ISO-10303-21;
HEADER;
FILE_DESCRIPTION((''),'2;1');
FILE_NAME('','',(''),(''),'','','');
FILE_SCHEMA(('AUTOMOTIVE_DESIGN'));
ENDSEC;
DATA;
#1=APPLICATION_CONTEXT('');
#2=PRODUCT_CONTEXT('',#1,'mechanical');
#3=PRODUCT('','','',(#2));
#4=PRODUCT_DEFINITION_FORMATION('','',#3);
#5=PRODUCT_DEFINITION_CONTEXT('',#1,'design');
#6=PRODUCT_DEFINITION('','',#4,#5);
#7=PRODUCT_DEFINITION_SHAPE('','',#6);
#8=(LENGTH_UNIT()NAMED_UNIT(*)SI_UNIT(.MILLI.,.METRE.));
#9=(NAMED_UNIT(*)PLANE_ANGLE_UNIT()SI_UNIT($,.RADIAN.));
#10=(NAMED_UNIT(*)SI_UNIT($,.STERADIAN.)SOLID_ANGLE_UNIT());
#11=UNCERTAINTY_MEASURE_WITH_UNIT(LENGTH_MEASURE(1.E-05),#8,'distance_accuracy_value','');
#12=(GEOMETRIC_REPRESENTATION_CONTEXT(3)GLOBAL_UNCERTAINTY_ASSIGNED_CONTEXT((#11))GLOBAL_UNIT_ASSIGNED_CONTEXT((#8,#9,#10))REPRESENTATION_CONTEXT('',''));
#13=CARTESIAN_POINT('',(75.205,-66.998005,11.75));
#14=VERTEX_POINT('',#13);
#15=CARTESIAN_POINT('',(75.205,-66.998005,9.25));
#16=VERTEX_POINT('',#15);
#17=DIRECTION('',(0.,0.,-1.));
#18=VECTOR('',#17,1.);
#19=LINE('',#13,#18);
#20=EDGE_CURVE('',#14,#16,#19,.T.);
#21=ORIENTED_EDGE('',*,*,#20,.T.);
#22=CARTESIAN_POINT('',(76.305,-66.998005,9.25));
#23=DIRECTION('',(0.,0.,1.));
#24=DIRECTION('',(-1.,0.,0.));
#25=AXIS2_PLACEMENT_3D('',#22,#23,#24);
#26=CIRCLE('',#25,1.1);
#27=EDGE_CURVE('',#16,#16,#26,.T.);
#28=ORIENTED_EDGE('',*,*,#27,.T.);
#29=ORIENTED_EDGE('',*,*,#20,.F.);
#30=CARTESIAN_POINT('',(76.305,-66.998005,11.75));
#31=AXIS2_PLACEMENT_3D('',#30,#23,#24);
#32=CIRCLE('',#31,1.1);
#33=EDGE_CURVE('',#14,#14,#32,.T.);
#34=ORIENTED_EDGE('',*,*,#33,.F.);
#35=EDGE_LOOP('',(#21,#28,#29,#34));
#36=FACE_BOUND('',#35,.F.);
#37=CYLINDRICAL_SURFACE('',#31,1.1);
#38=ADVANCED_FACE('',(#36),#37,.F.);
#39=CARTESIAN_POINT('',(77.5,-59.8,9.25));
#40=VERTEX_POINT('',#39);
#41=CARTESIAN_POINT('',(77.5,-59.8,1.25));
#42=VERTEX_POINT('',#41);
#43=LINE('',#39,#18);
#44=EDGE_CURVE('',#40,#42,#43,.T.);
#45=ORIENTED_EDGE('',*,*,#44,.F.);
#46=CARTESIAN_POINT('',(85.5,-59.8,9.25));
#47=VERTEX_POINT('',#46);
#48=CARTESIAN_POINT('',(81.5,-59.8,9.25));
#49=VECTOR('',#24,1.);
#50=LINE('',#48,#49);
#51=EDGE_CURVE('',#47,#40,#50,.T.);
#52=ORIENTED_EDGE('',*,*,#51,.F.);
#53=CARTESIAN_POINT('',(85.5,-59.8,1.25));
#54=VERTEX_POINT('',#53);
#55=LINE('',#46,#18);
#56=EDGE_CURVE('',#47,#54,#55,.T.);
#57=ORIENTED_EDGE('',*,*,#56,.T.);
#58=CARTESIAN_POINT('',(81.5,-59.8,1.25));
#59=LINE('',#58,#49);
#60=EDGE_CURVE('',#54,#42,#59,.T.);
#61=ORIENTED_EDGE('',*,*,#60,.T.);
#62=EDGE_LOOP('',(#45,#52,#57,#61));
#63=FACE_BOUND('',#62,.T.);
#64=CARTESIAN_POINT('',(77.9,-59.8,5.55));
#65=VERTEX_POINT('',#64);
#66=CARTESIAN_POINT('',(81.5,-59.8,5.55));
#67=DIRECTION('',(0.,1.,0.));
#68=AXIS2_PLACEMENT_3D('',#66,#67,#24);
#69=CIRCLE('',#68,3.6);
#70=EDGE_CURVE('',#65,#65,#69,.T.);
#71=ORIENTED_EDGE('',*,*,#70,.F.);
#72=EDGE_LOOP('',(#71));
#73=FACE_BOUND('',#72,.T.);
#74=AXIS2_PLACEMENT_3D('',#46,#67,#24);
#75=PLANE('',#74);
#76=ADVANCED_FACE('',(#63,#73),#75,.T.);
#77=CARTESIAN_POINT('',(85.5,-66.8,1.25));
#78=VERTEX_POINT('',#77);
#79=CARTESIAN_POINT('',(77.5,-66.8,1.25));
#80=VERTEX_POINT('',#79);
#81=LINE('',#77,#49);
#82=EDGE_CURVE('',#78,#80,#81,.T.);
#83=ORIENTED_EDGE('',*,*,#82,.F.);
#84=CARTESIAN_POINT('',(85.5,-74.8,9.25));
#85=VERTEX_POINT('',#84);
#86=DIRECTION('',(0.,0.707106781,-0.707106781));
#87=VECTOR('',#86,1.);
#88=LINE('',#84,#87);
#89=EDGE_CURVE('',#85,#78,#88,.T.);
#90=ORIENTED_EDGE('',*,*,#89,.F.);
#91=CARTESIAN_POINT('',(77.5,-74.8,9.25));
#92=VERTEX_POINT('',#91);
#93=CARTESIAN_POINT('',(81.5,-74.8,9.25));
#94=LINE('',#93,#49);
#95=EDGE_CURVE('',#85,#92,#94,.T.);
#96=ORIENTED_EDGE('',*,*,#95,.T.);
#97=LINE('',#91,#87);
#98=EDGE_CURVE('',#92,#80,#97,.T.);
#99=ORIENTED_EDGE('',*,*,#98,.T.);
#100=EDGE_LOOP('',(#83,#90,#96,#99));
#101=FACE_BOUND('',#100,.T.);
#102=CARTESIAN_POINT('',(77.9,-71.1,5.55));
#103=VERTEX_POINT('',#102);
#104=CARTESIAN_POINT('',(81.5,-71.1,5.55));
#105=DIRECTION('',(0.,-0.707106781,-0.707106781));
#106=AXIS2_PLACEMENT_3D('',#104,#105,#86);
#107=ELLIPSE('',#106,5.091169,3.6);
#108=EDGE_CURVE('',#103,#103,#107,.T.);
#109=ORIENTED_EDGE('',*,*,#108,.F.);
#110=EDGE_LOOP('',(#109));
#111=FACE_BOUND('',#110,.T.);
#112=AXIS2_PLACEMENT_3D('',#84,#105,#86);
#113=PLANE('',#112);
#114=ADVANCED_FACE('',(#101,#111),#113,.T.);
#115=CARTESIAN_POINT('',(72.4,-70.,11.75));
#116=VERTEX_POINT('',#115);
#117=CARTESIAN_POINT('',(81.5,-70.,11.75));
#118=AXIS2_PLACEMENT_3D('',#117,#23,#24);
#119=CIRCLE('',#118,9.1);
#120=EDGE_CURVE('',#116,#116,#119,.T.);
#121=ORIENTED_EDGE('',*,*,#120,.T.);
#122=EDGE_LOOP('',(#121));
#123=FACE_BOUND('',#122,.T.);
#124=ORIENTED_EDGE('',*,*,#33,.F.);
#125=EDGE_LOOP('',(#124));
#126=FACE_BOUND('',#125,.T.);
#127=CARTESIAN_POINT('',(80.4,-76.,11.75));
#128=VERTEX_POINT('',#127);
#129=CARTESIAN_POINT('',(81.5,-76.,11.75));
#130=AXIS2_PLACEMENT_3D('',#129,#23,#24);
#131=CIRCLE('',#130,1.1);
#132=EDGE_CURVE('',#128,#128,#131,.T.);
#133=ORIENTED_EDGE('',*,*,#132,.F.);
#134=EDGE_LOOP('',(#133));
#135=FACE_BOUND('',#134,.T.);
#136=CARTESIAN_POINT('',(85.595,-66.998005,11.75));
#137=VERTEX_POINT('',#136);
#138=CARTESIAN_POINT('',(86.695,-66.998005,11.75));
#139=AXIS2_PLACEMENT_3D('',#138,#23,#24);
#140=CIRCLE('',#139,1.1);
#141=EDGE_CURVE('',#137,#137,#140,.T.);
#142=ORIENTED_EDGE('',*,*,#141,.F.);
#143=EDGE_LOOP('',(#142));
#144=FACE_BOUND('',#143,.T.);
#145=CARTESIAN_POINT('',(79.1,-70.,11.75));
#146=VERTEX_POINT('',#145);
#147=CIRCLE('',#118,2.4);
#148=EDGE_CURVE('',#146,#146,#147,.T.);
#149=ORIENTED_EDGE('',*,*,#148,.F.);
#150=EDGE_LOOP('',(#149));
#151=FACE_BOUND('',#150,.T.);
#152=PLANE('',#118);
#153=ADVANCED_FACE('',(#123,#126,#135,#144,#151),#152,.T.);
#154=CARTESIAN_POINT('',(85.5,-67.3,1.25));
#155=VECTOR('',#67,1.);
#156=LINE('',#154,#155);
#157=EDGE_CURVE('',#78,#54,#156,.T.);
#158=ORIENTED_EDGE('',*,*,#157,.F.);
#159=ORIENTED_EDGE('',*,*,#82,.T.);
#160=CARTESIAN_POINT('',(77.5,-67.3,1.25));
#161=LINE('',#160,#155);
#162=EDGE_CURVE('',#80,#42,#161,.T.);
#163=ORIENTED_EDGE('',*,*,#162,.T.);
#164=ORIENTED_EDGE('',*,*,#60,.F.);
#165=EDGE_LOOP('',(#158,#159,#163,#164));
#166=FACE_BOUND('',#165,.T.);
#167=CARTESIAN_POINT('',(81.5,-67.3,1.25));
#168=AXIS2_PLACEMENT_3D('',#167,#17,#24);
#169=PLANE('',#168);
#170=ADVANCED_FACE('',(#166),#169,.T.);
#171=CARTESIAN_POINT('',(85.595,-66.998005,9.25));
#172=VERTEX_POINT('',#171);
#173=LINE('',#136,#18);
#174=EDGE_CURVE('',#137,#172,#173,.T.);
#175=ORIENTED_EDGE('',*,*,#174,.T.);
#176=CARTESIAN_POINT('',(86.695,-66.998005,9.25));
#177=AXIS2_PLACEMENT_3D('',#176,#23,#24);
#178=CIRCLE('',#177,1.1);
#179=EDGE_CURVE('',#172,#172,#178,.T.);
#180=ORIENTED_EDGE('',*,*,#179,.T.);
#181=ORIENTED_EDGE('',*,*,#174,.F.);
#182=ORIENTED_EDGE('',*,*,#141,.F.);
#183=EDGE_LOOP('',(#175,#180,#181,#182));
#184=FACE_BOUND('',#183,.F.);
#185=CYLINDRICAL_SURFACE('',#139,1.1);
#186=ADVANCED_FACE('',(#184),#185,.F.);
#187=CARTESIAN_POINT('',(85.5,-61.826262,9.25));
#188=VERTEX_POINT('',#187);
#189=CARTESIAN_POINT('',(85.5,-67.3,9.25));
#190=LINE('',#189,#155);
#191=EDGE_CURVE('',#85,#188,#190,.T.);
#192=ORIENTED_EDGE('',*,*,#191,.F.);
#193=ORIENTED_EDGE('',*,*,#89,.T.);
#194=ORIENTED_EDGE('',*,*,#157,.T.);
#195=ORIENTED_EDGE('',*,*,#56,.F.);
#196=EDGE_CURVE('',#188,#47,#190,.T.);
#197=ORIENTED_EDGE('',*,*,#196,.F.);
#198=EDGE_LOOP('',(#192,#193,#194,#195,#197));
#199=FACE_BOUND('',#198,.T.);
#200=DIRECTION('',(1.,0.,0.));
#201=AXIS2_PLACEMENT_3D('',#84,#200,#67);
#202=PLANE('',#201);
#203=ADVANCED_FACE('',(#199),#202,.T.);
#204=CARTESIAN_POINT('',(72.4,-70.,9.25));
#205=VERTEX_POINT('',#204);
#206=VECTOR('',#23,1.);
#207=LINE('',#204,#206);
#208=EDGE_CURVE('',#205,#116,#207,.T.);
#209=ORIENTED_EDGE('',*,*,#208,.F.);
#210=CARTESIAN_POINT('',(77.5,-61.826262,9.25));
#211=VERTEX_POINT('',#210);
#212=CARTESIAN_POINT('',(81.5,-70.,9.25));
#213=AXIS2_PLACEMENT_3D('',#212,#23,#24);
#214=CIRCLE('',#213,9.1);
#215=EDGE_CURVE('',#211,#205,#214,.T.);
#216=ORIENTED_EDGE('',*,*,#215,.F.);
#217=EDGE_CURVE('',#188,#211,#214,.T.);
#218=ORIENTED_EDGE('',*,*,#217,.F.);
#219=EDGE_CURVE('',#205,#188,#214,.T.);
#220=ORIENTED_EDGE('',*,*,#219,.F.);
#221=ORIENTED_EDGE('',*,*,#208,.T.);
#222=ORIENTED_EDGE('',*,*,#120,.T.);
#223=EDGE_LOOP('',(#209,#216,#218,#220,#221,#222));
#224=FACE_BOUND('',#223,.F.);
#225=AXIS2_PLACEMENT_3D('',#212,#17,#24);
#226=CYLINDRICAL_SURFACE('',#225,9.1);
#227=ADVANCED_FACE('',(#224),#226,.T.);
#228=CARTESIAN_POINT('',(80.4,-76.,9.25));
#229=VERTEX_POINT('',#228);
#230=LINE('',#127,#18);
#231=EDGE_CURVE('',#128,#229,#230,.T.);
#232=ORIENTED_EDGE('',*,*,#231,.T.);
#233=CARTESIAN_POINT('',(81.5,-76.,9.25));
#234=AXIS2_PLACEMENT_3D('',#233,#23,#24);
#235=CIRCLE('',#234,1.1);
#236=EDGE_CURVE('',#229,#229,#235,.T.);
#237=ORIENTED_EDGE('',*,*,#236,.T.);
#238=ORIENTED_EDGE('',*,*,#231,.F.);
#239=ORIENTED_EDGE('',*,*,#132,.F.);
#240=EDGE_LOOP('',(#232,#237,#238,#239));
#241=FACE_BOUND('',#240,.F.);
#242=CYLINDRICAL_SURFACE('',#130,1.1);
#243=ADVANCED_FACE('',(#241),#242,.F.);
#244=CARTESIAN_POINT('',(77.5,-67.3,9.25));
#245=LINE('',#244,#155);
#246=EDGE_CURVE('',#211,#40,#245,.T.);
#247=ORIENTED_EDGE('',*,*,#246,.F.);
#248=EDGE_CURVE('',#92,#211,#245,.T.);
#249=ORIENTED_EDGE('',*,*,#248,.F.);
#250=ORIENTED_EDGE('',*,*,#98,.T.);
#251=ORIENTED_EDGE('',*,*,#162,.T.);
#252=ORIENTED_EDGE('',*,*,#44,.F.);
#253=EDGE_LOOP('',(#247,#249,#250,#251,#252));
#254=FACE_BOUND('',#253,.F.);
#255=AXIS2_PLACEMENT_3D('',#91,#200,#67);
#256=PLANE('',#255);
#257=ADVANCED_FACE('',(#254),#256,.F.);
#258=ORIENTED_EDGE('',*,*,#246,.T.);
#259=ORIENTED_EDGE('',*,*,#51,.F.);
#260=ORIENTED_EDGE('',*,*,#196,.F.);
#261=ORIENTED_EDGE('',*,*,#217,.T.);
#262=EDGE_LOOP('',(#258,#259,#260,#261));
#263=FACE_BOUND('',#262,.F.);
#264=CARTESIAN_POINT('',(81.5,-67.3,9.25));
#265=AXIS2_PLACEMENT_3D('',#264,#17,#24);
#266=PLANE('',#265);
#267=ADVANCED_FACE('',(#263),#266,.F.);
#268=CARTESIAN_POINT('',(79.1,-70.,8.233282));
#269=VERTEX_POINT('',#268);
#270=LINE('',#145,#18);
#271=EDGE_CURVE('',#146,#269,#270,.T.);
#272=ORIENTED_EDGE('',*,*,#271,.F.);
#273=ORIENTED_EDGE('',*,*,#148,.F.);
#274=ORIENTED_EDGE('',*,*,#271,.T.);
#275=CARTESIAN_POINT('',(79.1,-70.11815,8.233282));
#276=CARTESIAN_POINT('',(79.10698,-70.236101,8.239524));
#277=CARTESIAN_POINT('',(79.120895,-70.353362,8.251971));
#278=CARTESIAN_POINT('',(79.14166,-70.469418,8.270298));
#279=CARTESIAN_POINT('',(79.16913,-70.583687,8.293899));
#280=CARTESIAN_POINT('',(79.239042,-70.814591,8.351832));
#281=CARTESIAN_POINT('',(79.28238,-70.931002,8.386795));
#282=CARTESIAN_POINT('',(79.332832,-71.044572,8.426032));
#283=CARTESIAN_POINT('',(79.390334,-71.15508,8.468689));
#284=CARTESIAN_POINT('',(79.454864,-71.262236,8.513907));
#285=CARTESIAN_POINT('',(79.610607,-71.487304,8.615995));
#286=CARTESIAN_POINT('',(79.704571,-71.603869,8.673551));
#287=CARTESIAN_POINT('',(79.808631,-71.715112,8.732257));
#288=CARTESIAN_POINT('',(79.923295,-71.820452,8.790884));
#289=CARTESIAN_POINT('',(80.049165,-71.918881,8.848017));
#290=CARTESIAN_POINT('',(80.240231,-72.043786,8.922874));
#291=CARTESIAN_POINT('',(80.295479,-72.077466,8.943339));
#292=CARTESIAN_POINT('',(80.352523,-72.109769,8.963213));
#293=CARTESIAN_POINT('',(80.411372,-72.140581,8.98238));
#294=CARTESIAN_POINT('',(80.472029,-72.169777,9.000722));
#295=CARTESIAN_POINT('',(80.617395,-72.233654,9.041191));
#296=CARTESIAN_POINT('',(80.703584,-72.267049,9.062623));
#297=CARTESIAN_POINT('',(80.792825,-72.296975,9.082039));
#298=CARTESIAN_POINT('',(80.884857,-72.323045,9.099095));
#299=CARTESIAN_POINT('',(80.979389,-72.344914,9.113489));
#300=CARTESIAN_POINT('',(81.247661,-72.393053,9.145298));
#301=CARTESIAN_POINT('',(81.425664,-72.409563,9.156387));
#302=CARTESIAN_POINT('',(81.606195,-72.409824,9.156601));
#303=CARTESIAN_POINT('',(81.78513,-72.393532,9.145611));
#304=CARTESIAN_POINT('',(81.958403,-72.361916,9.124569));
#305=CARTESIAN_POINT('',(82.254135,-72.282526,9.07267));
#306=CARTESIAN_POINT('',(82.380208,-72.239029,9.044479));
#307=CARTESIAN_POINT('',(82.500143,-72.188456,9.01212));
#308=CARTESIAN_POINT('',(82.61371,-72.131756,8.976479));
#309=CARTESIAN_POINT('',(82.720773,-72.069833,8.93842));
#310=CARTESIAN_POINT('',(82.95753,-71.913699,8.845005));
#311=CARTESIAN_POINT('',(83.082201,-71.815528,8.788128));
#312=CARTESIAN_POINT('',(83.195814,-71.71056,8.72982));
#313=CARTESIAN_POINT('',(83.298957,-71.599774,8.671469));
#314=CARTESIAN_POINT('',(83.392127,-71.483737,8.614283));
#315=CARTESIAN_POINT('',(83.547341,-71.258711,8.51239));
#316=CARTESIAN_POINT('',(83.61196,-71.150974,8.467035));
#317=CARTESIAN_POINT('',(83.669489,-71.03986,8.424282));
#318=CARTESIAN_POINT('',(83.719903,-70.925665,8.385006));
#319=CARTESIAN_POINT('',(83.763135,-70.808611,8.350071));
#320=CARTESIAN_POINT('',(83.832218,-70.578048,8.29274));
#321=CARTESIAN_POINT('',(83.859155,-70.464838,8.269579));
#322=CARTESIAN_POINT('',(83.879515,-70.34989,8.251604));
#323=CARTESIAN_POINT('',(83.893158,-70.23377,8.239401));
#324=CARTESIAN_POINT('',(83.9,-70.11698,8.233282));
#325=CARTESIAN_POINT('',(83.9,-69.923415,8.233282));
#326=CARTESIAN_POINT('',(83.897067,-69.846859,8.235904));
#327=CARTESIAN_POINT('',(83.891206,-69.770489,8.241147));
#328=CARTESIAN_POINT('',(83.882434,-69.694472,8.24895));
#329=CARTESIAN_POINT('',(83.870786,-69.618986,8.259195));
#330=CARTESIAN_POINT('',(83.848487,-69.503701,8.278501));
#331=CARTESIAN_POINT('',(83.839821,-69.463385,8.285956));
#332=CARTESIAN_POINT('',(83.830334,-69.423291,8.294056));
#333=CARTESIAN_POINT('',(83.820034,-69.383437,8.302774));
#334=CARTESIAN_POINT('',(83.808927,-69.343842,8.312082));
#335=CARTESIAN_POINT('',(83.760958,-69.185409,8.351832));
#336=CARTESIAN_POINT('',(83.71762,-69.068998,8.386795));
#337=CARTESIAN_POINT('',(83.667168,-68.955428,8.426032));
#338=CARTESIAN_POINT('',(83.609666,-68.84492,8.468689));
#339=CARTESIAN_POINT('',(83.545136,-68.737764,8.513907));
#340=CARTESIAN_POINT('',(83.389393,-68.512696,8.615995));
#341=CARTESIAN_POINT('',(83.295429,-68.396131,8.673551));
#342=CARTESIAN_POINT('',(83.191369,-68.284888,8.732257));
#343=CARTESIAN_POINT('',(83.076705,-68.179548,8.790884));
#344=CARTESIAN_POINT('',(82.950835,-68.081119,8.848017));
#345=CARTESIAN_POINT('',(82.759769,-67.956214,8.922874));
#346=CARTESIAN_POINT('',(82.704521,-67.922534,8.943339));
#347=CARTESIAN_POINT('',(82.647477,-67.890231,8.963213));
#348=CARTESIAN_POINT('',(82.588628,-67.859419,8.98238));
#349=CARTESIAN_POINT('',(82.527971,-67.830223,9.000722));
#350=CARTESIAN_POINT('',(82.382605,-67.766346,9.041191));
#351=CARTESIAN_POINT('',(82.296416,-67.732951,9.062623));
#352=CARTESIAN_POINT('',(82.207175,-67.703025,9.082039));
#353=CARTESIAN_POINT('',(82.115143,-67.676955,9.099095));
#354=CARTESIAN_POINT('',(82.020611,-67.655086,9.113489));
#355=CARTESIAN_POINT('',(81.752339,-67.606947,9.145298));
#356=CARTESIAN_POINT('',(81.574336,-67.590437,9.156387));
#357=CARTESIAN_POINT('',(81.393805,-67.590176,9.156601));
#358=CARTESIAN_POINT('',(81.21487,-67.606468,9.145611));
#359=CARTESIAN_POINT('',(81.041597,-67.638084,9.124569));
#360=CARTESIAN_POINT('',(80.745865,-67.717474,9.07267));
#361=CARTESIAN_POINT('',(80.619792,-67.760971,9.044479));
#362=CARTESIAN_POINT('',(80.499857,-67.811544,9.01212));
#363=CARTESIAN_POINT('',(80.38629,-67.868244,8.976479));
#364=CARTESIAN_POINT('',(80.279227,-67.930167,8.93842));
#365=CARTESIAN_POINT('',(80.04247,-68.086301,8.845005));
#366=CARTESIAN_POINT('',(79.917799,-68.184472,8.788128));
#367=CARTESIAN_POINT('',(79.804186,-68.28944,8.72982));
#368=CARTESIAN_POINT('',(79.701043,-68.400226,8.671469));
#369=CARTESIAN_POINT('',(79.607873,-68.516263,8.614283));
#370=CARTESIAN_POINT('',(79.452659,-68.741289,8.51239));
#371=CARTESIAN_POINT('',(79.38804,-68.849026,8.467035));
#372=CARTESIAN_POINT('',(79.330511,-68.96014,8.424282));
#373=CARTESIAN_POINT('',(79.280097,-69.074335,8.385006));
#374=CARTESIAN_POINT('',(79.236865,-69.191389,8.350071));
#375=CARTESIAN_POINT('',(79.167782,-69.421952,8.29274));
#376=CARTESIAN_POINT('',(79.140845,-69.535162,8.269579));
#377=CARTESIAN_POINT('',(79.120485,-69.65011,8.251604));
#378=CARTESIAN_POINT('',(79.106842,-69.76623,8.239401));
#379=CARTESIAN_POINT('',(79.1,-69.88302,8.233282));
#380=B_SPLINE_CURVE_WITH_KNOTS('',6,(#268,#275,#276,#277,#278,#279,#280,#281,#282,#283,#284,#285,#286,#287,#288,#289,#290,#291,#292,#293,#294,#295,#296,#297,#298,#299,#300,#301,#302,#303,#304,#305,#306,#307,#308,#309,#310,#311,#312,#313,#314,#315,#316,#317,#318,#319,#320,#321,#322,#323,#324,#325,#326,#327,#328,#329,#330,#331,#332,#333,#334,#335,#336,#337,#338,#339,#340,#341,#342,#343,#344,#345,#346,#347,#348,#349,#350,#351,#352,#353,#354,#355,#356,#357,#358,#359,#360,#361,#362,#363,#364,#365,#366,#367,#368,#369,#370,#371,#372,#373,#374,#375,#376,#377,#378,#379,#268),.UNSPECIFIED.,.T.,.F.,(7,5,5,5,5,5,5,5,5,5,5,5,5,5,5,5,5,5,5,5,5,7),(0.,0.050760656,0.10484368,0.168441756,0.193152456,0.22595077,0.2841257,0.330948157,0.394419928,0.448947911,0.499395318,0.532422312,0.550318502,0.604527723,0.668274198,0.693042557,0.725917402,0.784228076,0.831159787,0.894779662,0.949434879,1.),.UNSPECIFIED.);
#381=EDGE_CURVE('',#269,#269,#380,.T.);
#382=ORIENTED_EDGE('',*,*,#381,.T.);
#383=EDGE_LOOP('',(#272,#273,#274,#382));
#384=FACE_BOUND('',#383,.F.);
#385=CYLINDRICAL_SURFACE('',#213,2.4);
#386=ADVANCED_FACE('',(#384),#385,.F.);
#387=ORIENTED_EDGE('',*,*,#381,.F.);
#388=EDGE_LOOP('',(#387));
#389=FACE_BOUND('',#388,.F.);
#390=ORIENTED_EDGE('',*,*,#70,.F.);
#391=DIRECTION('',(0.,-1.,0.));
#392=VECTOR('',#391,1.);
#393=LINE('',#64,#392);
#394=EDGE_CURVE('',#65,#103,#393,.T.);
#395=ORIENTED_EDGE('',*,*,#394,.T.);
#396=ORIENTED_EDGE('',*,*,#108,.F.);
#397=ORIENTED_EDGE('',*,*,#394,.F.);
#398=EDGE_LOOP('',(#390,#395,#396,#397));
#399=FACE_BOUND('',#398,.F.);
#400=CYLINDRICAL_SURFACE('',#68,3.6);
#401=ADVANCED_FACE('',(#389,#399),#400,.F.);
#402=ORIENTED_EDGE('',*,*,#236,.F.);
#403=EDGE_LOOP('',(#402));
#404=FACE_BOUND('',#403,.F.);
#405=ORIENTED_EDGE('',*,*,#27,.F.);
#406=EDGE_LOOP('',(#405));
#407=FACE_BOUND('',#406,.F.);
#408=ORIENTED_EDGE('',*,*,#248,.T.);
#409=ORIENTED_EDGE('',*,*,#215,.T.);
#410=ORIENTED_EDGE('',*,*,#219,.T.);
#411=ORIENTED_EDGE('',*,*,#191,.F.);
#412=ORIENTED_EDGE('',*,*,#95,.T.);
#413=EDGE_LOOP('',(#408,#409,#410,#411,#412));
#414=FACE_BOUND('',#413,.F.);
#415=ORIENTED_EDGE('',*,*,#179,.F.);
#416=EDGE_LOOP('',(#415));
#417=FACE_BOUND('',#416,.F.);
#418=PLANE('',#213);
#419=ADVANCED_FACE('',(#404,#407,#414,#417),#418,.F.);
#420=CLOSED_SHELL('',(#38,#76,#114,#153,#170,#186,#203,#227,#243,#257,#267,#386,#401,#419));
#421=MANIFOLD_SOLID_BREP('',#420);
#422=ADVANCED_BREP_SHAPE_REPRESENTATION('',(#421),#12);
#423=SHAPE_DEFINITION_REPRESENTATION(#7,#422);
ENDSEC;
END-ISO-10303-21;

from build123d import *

# Parameters (mm, degrees)
SKETCH039_R             = 9.1
PAD024_DEPTH            = 2.5
SKETCH038_R             = 1.1
SKETCH038_R_2           = 2.4
POCKET038_DEPTH         = 2.5
SKETCH040_W             = 8
SKETCH040_H             = 15
PAD025_DEPTH            = 8
POCKET039_DEPTH         = 8
SKETCH042_R             = 2.4
POCKET040_DEPTH         = 8
SKETCH043_R             = 3.6
POCKET041_DEPTH         = 20
BODY015_PLACEMENT_ANGLE = 180


with BuildPart() as part:
    # Sketch039 → Pad024 (new body)
    with BuildSketch(Plane.XY):
        Circle(SKETCH039_R)
    extrude(amount=PAD024_DEPTH)

    # Sketch038 (on Face3 of Pad024) → Pocket038 (cut)
    with BuildSketch(Plane.XY.offset(2.5)):
        with Locations((0, 6)):
            Circle(SKETCH038_R)
        with Locations((5.195, -3.001995)):
            Circle(SKETCH038_R)
        with Locations((-5.195, -3.001995)):
            Circle(SKETCH038_R)
        Circle(SKETCH038_R_2)
    extrude(amount=-POCKET038_DEPTH, mode=Mode.SUBTRACT)

    # Sketch040 (on Face2 of Pocket038) → Pad025 (join)
    with BuildSketch(Plane(origin=(0, 0, 0), x_dir=(1, 0, 0), z_dir=(0, 0, -1))):
        with Locations((0, 2.7)):
            Rectangle(SKETCH040_W, SKETCH040_H)
    extrude(amount=PAD025_DEPTH)

    # Sketch041 (on Face7 of Pad025) → Pocket039 (cut)
    with BuildSketch(Plane(origin=(-4, 0, 0), x_dir=(0, -1, 0), z_dir=(-1, 0, 0))):
        Polygon((-4.8, 0), (3.2, -8), (-4.8, -8), align=None)
    extrude(amount=-POCKET039_DEPTH, mode=Mode.SUBTRACT)

    # Sketch042 (on Face14 of Pocket039) → Pocket040 (cut)
    with BuildSketch(Plane.XY):
        Circle(SKETCH042_R)
    extrude(amount=-POCKET040_DEPTH, mode=Mode.SUBTRACT)

    # Sketch043 (on Face11 of Pocket040) → Pocket041 (cut)
    with BuildSketch(Plane.XZ.offset(10.2)):
        with Locations((0, -3.7)):
            Circle(SKETCH043_R)
    extrude(amount=-POCKET041_DEPTH, mode=Mode.SUBTRACT)


with BuildPart() as part_1:
    # Body015 placement: moved
    add(part.part.moved(Location((81.5, -70, 9.25))).rotate(Axis((81.5, -70, 9.25), (0, 0, 1)), BODY015_PLACEMENT_ANGLE))


solid = part_1.part
